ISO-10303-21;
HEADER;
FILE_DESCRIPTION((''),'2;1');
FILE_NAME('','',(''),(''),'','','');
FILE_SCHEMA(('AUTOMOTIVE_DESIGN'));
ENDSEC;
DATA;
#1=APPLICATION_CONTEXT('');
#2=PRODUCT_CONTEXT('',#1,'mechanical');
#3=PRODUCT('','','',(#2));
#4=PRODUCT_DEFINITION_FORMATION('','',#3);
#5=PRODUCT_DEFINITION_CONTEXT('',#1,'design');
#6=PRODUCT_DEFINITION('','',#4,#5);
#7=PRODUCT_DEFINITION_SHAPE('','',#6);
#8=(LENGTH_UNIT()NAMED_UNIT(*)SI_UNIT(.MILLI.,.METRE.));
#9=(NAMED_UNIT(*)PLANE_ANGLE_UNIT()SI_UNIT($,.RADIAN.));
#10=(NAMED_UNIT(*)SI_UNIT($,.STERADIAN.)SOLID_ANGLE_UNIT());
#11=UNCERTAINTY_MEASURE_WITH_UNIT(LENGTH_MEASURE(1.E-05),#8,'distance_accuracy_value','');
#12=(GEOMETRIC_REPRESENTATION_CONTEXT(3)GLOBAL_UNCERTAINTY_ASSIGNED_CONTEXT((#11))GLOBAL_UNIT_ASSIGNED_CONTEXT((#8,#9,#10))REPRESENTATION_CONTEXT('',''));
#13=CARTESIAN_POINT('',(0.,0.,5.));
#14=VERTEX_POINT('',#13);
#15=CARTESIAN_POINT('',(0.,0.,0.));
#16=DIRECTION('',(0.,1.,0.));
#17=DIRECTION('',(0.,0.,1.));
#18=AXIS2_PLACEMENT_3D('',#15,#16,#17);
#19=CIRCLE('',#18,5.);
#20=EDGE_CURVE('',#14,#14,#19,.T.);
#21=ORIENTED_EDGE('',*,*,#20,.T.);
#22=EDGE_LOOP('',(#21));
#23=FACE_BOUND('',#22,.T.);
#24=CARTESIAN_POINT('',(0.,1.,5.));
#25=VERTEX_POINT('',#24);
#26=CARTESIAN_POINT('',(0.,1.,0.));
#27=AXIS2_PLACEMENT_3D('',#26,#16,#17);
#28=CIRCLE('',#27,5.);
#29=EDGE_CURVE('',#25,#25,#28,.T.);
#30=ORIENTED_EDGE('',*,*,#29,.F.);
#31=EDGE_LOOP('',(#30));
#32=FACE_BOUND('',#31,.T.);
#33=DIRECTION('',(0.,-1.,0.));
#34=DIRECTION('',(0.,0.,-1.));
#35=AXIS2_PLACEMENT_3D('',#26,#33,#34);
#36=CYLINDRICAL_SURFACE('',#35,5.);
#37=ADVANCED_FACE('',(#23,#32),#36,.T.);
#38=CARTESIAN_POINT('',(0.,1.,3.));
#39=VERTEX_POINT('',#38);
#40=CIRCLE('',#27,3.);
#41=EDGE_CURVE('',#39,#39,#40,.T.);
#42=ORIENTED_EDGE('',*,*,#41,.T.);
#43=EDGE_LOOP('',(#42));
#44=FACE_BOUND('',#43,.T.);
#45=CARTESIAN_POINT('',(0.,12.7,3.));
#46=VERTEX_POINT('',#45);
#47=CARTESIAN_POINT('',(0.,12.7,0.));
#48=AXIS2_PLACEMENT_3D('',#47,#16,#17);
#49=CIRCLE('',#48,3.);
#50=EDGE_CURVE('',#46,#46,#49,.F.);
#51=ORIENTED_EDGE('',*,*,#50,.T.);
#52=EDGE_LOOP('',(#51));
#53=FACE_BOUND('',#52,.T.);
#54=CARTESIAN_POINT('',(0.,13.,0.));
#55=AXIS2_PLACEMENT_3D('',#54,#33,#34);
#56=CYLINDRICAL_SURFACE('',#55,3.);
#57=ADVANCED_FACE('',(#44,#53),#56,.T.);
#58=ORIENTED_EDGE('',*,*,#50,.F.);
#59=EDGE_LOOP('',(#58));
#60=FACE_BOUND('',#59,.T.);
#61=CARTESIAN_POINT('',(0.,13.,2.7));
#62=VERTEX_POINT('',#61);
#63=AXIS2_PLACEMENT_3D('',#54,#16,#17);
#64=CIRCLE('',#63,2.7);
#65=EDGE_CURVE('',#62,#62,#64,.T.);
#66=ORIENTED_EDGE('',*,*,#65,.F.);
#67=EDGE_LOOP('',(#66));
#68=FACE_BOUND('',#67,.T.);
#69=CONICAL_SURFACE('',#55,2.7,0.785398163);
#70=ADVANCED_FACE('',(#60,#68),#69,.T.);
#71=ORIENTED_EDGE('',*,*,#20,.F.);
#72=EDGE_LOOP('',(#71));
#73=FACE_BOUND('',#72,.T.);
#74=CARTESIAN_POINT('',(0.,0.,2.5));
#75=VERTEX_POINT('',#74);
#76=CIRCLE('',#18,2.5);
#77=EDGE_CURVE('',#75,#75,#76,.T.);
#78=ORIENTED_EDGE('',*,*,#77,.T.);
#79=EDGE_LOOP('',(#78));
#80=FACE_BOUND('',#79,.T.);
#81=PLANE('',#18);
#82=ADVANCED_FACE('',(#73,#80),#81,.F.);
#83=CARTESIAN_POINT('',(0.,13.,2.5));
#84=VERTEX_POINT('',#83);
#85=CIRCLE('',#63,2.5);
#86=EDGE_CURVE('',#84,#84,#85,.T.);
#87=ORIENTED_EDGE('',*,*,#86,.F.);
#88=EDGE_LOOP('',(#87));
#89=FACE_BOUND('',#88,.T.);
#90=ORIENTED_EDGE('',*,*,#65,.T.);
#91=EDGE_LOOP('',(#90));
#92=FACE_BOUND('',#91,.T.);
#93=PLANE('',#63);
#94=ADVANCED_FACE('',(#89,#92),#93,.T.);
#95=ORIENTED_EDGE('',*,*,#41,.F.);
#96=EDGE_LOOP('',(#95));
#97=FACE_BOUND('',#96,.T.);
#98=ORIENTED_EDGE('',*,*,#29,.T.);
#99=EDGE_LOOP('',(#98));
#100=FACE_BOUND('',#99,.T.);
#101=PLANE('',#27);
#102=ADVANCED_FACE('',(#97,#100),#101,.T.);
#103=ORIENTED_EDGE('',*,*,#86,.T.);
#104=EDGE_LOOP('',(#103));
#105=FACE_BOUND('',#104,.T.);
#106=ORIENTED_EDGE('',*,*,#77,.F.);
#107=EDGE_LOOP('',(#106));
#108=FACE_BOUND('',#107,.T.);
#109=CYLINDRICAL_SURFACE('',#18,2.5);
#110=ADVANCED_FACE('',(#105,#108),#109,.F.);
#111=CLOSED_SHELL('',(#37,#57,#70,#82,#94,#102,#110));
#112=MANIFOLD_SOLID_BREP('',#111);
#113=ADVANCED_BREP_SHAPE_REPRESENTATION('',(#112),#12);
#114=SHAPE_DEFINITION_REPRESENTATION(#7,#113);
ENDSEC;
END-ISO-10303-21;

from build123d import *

# Parameters (mm, degrees)
SKETCH1_R               = 5
BOSS_EXTRUDE1_DEPTH     = 1
SKETCH2_R               = 3
BOSS_EXTRUDE2_DEPTH     = 12
CHAMFER1_SIZE           = 0.3
CUT_EXTRUDE1_DEPTH      = 15.798648587
CUT_EXTRUDE1_DEPTH_BACK = 15.798648587
SKETCH3_R               = 2.5


with BuildPart() as part:
    # Sketch1 → Boss-Extrude1 (new body)
    with BuildSketch(Plane(origin=(0, 0, 0), x_dir=(1, 0, 0), z_dir=(0, 1, 0))):
        with Locations(Location((0, 0, 0), (0, 0, 270))):
            Circle(SKETCH1_R)
    extrude(amount=BOSS_EXTRUDE1_DEPTH)

    # Sketch2 → Boss-Extrude2 (add)
    with BuildSketch(Plane(origin=(0, 1, 0), x_dir=(1, 0, 0), z_dir=(0, 1, 0))):
        with Locations(Location((0, 0, 0), (0, 0, 270))):
            Circle(SKETCH2_R)
    extrude(amount=BOSS_EXTRUDE2_DEPTH)

    # Chamfer1
    chamfer1_edges = [part.edges().sort_by_distance(p)[0] for p in [
        (0, 13, -3),
    ]]
    chamfer(chamfer1_edges, length=CHAMFER1_SIZE)

    # Sketch3 → Cut-Extrude1 (cut, two sides: drawn at the far end of the back side and taken through both)
    with BuildSketch(Plane(origin=(0, 13, 0), x_dir=(1, 0, 0), z_dir=(0, 1, 0)).offset(-CUT_EXTRUDE1_DEPTH_BACK)):
        with Locations(Location((0, 0, 0), (0, 0, 270))):
            Circle(SKETCH3_R)
    extrude(amount=CUT_EXTRUDE1_DEPTH + CUT_EXTRUDE1_DEPTH_BACK, mode=Mode.SUBTRACT)


solid = part.part
